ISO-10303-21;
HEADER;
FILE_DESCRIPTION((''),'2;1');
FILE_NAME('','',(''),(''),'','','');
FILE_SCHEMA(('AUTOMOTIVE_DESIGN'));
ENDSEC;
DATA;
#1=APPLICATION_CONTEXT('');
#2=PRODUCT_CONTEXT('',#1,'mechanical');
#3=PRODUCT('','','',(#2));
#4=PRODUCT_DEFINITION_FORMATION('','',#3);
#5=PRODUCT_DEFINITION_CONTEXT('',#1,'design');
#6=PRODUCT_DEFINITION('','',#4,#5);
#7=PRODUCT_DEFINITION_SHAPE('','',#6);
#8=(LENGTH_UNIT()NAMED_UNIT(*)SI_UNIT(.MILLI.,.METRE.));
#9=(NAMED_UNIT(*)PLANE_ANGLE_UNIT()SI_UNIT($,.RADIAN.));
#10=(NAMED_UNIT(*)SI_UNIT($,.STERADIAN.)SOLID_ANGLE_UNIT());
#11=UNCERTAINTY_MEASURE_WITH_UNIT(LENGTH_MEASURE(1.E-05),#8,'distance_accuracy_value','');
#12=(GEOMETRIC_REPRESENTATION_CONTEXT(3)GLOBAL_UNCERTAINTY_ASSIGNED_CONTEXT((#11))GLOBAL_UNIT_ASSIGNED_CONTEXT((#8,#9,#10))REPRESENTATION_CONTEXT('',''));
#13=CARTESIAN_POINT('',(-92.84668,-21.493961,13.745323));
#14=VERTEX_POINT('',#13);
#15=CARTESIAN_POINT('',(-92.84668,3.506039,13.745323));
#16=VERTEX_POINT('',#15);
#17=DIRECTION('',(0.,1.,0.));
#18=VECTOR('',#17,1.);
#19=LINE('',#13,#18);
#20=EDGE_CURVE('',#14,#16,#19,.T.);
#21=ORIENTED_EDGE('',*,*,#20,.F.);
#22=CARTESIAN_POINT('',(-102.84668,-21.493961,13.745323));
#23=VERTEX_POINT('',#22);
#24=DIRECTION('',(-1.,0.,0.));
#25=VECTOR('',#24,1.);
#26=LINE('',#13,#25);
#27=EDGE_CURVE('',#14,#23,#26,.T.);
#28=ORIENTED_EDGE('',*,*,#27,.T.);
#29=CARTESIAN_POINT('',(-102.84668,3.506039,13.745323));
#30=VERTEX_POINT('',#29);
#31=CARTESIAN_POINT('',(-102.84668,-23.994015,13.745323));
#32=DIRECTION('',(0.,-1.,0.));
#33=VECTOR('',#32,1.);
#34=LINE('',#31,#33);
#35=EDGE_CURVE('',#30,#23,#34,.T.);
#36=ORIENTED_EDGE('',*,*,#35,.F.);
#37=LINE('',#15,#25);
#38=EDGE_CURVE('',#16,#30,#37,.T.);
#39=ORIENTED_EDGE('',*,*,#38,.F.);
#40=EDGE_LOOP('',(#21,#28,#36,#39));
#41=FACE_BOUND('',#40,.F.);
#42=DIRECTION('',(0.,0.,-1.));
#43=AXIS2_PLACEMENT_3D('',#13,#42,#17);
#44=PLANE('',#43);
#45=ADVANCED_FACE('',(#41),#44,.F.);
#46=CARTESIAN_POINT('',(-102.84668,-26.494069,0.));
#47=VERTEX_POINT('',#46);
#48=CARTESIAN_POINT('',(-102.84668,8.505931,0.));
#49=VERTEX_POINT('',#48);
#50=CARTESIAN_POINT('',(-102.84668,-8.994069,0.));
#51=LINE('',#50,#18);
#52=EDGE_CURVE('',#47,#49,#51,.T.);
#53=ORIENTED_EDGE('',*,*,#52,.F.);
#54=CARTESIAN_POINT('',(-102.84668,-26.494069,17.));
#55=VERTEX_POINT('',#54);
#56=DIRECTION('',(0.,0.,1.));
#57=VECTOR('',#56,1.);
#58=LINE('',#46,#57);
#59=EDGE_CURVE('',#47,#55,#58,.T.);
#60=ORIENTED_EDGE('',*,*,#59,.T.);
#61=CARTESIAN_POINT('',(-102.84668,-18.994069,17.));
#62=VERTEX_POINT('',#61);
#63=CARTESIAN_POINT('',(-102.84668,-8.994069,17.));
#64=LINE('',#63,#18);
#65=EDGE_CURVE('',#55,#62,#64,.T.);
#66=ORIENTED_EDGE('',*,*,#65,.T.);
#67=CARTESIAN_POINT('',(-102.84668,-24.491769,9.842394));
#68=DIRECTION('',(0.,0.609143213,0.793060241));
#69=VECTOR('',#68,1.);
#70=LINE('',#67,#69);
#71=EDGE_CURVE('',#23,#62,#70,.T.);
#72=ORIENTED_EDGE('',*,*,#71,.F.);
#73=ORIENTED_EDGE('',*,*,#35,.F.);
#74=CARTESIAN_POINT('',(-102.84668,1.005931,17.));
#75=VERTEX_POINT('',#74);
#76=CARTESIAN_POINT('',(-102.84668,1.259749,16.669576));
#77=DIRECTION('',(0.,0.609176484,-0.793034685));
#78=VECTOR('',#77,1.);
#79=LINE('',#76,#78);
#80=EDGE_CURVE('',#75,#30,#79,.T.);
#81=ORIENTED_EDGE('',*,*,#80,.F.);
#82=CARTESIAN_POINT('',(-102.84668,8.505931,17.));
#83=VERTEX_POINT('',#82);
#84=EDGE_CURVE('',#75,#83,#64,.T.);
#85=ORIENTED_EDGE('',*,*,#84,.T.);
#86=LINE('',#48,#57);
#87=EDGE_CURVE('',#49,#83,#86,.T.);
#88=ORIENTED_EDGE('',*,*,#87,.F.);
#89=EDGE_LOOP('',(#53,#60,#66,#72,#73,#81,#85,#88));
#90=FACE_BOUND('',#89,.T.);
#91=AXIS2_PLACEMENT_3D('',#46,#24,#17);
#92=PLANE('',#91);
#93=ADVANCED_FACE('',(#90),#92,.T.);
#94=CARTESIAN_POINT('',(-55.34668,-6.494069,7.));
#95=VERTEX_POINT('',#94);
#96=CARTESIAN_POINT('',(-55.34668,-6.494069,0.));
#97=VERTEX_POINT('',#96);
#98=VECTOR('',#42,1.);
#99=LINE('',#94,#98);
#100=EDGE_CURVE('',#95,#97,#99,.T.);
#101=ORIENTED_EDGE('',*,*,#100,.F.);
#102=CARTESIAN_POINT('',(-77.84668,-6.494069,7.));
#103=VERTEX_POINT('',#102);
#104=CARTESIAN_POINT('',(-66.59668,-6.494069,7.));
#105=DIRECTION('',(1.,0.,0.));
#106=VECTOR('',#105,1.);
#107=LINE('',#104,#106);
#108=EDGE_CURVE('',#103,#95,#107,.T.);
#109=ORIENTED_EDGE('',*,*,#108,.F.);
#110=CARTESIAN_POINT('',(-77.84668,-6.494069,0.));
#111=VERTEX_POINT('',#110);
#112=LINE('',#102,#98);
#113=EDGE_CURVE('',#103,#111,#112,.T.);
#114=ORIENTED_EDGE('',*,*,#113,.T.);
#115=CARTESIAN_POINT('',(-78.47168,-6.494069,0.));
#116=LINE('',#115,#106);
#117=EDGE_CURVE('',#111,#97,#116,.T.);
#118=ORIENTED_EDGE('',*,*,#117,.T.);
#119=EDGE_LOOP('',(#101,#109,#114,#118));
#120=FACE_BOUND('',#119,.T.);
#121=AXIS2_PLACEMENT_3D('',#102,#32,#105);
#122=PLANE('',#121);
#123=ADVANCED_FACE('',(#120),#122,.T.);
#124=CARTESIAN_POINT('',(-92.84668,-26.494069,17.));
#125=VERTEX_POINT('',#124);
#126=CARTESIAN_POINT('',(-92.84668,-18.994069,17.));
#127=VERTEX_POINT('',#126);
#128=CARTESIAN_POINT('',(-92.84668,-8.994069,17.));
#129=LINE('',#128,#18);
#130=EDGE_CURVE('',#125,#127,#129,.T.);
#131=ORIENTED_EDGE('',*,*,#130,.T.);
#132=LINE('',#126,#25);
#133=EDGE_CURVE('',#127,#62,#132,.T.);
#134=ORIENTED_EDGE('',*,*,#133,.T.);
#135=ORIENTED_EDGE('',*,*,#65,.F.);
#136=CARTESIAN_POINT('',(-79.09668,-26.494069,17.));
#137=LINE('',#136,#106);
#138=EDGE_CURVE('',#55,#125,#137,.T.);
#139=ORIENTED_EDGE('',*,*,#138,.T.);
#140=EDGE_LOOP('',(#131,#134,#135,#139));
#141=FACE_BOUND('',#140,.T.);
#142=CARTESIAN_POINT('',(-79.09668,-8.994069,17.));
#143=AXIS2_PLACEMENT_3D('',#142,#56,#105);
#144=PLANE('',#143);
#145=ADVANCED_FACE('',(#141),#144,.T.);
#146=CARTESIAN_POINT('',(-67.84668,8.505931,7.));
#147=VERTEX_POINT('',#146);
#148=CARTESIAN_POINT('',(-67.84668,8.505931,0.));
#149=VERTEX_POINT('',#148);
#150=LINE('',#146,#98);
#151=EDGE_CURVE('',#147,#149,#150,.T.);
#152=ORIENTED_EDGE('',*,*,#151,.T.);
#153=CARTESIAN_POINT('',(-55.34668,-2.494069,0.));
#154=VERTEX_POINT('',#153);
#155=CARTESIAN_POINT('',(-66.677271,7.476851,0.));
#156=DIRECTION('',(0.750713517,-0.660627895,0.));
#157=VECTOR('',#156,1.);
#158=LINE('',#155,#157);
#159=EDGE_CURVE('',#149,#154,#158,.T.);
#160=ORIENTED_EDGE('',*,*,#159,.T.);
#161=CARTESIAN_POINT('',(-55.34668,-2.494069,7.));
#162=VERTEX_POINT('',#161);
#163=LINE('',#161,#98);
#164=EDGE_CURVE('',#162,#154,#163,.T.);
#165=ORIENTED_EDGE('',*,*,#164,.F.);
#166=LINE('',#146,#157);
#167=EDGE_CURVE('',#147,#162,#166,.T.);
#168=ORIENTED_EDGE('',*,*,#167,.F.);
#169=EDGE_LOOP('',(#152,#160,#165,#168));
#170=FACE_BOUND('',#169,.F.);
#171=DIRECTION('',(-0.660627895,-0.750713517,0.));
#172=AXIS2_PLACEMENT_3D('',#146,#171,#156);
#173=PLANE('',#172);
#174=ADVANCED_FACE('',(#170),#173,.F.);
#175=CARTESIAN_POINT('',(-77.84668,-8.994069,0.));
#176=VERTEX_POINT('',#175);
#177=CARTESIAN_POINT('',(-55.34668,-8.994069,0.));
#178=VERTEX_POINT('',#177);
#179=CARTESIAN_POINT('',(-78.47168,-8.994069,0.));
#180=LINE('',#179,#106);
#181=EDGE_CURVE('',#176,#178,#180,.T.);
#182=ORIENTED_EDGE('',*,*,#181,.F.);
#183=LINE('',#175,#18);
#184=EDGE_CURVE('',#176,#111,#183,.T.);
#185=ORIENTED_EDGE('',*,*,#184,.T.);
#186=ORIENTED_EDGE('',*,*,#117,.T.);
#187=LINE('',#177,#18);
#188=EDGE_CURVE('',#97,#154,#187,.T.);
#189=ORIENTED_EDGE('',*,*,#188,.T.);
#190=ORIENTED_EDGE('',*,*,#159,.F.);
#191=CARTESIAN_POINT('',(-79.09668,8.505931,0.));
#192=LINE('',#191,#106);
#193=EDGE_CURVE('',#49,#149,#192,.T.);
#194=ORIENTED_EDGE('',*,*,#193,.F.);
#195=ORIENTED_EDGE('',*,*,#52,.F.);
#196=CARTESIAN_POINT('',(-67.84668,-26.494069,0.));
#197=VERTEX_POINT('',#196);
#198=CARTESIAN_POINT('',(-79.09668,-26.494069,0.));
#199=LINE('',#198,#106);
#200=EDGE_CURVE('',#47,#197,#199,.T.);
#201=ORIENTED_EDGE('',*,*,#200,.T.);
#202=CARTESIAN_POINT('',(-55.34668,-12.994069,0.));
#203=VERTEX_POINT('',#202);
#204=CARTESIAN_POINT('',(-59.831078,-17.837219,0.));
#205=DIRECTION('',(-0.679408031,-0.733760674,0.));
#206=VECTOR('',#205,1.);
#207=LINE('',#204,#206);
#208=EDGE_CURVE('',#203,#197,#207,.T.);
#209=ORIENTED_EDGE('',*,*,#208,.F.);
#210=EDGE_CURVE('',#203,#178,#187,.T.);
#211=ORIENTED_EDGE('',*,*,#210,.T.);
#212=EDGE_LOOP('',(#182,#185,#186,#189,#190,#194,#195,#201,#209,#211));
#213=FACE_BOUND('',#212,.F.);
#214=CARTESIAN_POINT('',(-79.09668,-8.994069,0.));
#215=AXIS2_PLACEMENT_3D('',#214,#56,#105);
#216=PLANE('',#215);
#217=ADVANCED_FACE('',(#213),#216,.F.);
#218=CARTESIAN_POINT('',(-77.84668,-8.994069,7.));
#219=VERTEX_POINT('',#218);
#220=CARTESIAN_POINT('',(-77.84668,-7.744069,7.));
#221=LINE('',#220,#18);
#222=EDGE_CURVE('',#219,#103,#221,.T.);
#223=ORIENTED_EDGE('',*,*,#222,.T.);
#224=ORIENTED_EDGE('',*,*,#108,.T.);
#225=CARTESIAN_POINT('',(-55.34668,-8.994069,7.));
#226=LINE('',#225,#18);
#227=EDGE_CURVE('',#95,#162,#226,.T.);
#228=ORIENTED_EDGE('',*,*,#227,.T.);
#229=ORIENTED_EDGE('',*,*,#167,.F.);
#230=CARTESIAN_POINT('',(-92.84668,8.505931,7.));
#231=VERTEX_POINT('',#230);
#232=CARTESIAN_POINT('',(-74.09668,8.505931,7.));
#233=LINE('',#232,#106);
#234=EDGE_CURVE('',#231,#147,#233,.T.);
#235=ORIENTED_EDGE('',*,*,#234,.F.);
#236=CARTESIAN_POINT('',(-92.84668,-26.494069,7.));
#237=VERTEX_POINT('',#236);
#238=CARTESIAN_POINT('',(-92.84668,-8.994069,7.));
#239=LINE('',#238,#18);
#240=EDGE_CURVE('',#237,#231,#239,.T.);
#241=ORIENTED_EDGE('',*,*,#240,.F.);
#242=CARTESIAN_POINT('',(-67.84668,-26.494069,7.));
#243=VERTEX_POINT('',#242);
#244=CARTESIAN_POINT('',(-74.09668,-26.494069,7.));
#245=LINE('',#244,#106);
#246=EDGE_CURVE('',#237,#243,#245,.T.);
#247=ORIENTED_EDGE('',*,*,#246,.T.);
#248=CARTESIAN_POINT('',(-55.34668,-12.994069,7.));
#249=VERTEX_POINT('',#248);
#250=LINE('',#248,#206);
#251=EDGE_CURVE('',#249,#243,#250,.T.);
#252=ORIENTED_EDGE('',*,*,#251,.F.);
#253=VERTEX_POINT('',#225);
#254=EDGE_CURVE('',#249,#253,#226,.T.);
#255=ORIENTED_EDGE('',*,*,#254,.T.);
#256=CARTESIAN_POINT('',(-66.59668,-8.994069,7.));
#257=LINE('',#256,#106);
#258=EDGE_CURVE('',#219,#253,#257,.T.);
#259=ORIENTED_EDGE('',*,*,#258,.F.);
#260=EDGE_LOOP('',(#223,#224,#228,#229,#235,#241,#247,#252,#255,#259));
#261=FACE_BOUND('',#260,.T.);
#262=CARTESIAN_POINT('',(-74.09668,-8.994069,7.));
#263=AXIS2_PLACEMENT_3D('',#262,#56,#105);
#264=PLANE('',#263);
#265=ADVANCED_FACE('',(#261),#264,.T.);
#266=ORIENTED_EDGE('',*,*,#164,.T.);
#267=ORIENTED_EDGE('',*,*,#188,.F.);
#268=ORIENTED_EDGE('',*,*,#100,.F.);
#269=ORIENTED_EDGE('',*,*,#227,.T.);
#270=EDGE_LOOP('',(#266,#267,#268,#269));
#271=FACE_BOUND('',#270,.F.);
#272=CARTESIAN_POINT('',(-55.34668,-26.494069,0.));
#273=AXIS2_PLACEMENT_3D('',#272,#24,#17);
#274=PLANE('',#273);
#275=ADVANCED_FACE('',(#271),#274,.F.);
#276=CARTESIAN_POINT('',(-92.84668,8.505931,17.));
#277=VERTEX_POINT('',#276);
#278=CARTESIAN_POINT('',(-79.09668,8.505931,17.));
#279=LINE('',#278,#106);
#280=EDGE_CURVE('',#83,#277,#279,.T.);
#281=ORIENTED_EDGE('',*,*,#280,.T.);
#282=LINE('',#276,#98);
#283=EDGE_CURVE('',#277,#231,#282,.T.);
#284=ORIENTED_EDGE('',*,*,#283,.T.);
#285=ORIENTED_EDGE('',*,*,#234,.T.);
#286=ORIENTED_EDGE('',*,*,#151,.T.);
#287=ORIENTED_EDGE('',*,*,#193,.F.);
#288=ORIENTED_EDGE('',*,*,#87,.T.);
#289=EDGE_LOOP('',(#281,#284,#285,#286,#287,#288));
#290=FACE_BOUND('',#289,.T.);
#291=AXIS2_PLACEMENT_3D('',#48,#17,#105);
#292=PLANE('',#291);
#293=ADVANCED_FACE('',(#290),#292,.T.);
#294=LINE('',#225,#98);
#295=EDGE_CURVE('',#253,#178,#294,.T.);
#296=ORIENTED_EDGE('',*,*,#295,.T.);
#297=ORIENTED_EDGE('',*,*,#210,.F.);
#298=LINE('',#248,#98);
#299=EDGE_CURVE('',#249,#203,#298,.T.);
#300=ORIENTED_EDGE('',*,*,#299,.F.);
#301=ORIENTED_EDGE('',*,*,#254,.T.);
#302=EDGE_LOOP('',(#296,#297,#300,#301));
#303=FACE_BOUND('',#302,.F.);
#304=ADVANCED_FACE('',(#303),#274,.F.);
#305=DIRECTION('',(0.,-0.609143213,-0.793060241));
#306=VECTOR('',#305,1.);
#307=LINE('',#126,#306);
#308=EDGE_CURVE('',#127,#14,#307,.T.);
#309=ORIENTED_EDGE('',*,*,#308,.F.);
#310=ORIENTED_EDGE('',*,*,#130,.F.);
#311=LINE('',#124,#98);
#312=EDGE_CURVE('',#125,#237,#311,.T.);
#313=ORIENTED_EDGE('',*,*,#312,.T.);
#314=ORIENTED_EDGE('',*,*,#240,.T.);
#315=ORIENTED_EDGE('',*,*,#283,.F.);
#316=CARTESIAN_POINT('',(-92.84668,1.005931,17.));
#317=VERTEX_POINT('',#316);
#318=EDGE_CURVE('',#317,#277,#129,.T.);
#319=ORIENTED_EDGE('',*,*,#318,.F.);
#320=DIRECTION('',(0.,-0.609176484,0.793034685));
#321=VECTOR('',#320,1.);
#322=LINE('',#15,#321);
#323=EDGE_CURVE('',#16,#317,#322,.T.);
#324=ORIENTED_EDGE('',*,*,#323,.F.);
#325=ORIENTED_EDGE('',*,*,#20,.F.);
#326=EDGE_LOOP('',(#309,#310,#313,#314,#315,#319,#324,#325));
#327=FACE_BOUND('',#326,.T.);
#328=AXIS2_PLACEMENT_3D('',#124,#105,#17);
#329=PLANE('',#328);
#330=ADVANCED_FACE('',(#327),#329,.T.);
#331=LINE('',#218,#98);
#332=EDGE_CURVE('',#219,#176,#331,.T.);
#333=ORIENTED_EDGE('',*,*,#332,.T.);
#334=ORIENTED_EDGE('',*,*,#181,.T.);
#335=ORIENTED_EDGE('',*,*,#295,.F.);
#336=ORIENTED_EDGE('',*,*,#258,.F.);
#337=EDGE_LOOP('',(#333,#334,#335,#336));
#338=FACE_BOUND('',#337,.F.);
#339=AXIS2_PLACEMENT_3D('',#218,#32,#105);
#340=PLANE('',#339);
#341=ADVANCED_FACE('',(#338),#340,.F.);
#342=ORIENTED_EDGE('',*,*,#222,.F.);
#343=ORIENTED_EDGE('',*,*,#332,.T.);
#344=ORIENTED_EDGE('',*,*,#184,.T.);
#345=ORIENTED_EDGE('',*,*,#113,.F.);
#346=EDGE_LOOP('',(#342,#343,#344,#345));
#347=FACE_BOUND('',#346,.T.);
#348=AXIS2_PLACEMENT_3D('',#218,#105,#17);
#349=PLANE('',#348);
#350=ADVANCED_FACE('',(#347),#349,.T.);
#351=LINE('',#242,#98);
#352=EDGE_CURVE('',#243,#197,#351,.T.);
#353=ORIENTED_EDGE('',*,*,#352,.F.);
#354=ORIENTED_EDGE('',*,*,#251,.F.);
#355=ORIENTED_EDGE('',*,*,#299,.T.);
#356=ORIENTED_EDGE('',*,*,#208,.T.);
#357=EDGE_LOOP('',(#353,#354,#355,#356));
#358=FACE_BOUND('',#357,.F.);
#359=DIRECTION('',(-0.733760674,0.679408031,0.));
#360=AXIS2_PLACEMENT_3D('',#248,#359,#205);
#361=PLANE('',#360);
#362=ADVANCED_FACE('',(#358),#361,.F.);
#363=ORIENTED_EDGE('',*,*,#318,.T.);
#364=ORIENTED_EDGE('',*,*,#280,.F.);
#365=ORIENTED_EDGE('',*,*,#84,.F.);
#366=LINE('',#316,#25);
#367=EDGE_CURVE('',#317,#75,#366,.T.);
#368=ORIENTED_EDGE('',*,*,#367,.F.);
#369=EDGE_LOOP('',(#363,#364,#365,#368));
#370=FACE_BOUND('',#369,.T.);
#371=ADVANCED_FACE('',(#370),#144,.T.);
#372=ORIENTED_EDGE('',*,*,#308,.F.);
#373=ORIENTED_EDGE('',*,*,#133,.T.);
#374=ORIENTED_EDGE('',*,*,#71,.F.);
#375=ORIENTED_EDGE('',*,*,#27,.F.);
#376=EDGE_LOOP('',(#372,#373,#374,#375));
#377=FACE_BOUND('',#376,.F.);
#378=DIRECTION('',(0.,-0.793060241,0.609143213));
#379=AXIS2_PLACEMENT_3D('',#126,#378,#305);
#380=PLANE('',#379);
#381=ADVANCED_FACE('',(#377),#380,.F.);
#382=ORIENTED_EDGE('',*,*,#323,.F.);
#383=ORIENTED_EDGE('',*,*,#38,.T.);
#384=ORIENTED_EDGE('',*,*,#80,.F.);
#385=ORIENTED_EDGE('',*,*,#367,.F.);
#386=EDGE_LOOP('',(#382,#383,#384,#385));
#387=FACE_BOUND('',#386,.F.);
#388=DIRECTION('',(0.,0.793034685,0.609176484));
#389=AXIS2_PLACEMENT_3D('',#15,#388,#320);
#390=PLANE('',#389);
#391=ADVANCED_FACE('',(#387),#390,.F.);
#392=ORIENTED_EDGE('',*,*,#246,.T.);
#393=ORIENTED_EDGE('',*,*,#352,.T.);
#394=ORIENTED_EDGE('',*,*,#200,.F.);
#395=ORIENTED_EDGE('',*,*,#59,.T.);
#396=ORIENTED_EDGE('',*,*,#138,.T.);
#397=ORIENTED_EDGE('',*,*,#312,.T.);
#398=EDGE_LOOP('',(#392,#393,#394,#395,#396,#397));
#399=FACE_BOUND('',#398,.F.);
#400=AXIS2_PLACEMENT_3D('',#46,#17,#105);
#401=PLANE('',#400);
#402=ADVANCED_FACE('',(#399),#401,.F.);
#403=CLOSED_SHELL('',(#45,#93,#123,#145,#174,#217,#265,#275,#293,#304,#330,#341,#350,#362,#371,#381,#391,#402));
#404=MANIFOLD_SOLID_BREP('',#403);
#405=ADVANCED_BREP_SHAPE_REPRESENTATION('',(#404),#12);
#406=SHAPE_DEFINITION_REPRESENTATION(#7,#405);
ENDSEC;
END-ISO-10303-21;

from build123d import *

# Parameters (mm, degrees)
F0_W      = 47.5
F0_H      = 35
F1_DEPTH  = 17
F2_W      = 37.5
F2_H      = 35
F3_DEPTH  = 10
F5_DEPTH  = 10.001
F6_W      = 22.5
F6_H      = 2.5
F7_DEPTH  = 7.001
F9_DEPTH  = 7.001
F11_DEPTH = 7.001


with BuildPart() as f1:
    # F0 (on Top) → F1 (new body)
    with BuildSketch(Plane.XY):
        with Locations((-79.0966801345, -8.9940691388)):
            Rectangle(F0_W, F0_H)
    extrude(amount=F1_DEPTH)

    # F2 (on face) → F3 (cut)
    with BuildSketch(Plane.XY.offset(17)):
        with Locations((-74.0966801345, -8.9940691388)):
            Rectangle(F2_W, F2_H)
    extrude(amount=-F3_DEPTH, mode=Mode.SUBTRACT)

    # F4 (on face) → F5 (cut, through all)
    with BuildSketch(Plane.YZ.offset(-92.8466801345)):
        Polygon((1.0059308612, 17), (-18.9940691388, 17), (-21.4939605839, 13.7453228235), (3.5060394161, 13.7453228235), align=None)
    extrude(amount=-F5_DEPTH, mode=Mode.SUBTRACT)

    # F6 (on face) → F7 (cut, through all)
    with BuildSketch(Plane.XY.offset(7)):
        with Locations((-66.5966801345, -7.7440691388)):
            Rectangle(F6_W, F6_H)
    extrude(amount=-F7_DEPTH, mode=Mode.SUBTRACT)

    # F8 (on face) → F9 (cut, through all)
    with BuildSketch(Plane.XY.offset(7)):
        Polygon((-55.3466801345, 8.5059308612), (-67.8466801345, 8.5059308612), (-55.3466801345, -2.4940691388), align=None)
    extrude(amount=-F9_DEPTH, mode=Mode.SUBTRACT)

    # F10 (on face) → F11 (cut, through all)
    with BuildSketch(Plane.XY.offset(7)):
        Polygon((-55.3466801345, -26.4940691388), (-55.3466801345, -12.9940691388), (-67.8466801345, -26.4940691388), align=None)
    extrude(amount=-F11_DEPTH, mode=Mode.SUBTRACT)


solid = f1.part
